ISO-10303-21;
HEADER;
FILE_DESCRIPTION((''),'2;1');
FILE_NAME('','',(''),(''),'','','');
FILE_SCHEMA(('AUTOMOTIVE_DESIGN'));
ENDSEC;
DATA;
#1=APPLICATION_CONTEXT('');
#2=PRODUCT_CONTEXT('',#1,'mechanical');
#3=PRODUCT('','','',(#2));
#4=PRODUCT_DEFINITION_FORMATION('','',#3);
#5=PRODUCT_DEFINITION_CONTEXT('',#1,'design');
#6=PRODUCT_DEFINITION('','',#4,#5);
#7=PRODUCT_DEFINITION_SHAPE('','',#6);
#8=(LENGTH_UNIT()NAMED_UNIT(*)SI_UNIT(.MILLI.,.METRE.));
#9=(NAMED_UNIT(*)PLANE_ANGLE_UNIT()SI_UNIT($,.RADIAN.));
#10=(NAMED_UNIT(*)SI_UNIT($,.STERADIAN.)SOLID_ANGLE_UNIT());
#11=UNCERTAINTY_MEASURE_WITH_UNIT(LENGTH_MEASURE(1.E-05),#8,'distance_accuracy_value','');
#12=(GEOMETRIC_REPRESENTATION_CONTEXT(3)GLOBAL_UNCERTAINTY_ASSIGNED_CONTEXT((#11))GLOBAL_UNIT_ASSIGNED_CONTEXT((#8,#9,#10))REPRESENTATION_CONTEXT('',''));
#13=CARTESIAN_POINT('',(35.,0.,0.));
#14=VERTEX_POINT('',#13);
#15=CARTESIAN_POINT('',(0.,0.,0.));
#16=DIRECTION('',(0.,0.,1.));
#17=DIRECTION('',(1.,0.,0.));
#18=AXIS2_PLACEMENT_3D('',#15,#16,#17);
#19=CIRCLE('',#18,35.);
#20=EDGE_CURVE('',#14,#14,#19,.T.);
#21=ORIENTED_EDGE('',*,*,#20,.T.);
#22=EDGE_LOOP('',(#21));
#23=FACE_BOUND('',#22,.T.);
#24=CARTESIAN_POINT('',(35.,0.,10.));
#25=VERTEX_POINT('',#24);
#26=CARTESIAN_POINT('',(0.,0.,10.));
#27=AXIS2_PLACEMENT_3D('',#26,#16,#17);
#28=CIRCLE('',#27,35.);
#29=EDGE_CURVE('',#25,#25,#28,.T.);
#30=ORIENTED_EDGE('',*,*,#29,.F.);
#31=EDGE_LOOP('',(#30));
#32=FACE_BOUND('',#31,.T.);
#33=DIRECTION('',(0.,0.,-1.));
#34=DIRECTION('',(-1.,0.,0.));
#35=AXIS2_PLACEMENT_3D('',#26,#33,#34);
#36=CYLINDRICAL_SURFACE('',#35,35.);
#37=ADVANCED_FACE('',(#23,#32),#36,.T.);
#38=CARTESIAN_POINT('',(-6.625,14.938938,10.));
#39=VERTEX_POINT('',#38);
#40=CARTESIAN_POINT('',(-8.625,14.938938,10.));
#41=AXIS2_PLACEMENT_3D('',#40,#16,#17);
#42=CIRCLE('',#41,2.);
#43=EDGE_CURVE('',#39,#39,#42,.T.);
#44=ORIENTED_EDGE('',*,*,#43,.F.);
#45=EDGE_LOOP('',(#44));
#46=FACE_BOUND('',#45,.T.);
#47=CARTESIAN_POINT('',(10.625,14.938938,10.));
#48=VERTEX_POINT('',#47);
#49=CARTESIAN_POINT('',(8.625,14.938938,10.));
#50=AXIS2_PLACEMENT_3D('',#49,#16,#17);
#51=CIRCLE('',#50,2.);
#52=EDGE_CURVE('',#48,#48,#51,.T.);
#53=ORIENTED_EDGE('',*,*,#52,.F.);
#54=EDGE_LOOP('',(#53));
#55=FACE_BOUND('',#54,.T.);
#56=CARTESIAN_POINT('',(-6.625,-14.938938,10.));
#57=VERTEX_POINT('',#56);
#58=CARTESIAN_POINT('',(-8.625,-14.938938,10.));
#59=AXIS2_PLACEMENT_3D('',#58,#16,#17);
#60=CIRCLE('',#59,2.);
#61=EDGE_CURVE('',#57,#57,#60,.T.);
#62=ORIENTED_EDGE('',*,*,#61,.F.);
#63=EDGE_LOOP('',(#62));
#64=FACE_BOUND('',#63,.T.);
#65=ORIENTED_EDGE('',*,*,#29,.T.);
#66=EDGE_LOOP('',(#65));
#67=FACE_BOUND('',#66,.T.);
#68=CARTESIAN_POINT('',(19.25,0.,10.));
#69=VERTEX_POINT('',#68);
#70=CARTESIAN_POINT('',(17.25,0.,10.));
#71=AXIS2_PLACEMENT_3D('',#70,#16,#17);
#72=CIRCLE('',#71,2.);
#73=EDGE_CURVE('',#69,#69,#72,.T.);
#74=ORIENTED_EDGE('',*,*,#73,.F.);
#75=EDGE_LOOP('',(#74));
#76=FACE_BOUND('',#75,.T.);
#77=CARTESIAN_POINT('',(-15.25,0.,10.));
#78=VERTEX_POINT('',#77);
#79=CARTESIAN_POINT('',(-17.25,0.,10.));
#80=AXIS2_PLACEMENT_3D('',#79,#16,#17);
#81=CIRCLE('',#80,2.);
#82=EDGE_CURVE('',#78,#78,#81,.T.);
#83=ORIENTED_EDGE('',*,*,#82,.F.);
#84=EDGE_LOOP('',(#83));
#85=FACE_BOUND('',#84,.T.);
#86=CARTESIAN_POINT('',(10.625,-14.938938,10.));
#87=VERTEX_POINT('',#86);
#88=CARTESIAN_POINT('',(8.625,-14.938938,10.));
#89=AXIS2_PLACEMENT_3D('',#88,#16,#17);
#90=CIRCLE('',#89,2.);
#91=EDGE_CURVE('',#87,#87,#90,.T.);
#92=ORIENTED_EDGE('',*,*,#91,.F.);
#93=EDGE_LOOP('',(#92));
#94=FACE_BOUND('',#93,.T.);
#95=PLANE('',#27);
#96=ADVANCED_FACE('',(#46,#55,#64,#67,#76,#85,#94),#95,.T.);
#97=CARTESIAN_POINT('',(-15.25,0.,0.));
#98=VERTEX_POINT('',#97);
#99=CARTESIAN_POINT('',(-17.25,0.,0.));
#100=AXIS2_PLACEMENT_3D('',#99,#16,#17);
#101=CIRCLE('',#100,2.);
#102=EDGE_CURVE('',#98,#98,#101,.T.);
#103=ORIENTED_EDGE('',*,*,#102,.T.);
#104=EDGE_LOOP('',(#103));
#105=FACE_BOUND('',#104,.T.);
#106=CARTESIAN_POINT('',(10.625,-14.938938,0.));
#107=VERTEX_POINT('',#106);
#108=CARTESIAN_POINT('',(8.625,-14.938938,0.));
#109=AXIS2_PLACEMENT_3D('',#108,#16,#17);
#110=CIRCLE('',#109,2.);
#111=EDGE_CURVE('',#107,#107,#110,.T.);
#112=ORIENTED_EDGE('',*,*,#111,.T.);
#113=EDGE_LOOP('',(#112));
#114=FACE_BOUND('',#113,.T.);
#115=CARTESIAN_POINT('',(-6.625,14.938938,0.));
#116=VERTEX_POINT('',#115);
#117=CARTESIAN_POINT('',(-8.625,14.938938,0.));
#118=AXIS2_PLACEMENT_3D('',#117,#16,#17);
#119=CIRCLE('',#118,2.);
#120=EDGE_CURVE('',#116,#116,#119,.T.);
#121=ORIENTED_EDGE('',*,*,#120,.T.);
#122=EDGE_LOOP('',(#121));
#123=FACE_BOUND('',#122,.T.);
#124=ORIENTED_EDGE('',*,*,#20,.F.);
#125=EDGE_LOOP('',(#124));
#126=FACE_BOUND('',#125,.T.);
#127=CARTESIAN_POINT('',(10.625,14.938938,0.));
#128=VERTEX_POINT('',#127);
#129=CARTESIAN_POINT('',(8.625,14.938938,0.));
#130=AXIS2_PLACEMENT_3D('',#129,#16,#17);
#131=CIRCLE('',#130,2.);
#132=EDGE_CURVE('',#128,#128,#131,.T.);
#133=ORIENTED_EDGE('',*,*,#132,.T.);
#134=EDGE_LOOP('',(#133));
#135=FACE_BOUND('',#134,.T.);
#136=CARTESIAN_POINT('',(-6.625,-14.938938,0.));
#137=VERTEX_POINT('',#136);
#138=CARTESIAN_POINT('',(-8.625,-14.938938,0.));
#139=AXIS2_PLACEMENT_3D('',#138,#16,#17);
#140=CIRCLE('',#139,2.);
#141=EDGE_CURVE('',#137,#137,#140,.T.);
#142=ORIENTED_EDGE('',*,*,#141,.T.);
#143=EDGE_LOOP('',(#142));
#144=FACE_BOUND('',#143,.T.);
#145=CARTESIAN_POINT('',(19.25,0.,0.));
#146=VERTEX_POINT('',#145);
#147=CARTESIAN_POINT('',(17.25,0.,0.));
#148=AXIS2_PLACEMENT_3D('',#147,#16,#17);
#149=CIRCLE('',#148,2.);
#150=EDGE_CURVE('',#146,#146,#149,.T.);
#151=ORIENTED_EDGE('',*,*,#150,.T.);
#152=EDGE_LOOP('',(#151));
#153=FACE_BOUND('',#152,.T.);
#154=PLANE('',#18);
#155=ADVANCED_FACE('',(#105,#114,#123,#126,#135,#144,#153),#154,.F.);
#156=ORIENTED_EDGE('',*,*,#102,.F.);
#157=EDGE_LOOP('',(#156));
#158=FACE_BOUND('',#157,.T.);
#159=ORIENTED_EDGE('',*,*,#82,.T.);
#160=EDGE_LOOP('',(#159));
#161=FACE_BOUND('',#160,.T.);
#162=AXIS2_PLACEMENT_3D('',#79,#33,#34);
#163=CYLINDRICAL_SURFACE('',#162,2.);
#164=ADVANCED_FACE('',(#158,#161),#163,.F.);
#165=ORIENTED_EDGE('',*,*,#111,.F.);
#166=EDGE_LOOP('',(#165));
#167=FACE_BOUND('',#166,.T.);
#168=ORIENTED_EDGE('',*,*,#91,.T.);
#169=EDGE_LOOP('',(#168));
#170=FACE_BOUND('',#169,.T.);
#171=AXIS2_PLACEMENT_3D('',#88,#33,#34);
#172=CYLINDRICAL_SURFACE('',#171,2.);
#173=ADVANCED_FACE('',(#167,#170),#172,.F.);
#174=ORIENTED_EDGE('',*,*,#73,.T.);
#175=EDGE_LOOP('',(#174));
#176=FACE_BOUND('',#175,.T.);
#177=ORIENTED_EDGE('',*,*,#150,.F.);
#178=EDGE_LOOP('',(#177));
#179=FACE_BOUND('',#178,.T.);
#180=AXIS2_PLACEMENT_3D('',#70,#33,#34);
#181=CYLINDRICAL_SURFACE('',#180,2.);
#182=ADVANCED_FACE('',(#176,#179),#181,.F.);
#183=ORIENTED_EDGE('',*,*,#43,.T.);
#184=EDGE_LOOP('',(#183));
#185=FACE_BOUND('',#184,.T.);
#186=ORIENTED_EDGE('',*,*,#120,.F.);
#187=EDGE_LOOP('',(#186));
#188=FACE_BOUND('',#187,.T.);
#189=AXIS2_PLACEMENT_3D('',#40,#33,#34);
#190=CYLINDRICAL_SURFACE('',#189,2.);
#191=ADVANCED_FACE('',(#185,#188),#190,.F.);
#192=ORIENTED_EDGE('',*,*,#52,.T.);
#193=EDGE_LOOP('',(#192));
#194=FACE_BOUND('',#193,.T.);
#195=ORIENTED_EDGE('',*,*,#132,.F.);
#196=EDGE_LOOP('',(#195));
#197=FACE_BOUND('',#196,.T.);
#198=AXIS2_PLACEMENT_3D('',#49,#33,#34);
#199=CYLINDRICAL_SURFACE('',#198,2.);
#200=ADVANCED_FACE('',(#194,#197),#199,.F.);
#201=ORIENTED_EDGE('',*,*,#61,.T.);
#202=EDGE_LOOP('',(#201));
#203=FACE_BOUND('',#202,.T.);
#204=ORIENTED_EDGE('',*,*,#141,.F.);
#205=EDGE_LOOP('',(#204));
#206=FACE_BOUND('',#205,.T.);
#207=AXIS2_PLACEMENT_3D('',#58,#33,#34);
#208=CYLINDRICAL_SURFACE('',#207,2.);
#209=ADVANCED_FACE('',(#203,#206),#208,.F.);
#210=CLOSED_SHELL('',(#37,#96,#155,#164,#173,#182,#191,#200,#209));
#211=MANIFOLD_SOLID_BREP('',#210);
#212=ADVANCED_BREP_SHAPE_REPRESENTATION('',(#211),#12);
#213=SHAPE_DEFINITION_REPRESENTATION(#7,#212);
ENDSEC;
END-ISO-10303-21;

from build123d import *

# Parameters (mm, degrees)
SKETCH_1_R      = 35
SKETCH_1_R_2    = 2
EXTRUDE_1_DEPTH = 10


with BuildPart() as part:
    # 草图1 → 凸台-拉伸1 (new body)
    with BuildSketch(Plane.XY):
        Circle(SKETCH_1_R)
        with Locations((-17.25, 0)):
            Circle(SKETCH_1_R_2, mode=Mode.SUBTRACT)
        with Locations((-8.625, 14.938938215)):
            Circle(SKETCH_1_R_2, mode=Mode.SUBTRACT)
        with Locations((8.625, 14.938938215)):
            Circle(SKETCH_1_R_2, mode=Mode.SUBTRACT)
        with Locations((17.25, 0)):
            Circle(SKETCH_1_R_2, mode=Mode.SUBTRACT)
        with Locations((8.625, -14.938938215)):
            Circle(SKETCH_1_R_2, mode=Mode.SUBTRACT)
        with Locations((-8.625, -14.938938215)):
            Circle(SKETCH_1_R_2, mode=Mode.SUBTRACT)
    extrude(amount=EXTRUDE_1_DEPTH)


solid = part.part
